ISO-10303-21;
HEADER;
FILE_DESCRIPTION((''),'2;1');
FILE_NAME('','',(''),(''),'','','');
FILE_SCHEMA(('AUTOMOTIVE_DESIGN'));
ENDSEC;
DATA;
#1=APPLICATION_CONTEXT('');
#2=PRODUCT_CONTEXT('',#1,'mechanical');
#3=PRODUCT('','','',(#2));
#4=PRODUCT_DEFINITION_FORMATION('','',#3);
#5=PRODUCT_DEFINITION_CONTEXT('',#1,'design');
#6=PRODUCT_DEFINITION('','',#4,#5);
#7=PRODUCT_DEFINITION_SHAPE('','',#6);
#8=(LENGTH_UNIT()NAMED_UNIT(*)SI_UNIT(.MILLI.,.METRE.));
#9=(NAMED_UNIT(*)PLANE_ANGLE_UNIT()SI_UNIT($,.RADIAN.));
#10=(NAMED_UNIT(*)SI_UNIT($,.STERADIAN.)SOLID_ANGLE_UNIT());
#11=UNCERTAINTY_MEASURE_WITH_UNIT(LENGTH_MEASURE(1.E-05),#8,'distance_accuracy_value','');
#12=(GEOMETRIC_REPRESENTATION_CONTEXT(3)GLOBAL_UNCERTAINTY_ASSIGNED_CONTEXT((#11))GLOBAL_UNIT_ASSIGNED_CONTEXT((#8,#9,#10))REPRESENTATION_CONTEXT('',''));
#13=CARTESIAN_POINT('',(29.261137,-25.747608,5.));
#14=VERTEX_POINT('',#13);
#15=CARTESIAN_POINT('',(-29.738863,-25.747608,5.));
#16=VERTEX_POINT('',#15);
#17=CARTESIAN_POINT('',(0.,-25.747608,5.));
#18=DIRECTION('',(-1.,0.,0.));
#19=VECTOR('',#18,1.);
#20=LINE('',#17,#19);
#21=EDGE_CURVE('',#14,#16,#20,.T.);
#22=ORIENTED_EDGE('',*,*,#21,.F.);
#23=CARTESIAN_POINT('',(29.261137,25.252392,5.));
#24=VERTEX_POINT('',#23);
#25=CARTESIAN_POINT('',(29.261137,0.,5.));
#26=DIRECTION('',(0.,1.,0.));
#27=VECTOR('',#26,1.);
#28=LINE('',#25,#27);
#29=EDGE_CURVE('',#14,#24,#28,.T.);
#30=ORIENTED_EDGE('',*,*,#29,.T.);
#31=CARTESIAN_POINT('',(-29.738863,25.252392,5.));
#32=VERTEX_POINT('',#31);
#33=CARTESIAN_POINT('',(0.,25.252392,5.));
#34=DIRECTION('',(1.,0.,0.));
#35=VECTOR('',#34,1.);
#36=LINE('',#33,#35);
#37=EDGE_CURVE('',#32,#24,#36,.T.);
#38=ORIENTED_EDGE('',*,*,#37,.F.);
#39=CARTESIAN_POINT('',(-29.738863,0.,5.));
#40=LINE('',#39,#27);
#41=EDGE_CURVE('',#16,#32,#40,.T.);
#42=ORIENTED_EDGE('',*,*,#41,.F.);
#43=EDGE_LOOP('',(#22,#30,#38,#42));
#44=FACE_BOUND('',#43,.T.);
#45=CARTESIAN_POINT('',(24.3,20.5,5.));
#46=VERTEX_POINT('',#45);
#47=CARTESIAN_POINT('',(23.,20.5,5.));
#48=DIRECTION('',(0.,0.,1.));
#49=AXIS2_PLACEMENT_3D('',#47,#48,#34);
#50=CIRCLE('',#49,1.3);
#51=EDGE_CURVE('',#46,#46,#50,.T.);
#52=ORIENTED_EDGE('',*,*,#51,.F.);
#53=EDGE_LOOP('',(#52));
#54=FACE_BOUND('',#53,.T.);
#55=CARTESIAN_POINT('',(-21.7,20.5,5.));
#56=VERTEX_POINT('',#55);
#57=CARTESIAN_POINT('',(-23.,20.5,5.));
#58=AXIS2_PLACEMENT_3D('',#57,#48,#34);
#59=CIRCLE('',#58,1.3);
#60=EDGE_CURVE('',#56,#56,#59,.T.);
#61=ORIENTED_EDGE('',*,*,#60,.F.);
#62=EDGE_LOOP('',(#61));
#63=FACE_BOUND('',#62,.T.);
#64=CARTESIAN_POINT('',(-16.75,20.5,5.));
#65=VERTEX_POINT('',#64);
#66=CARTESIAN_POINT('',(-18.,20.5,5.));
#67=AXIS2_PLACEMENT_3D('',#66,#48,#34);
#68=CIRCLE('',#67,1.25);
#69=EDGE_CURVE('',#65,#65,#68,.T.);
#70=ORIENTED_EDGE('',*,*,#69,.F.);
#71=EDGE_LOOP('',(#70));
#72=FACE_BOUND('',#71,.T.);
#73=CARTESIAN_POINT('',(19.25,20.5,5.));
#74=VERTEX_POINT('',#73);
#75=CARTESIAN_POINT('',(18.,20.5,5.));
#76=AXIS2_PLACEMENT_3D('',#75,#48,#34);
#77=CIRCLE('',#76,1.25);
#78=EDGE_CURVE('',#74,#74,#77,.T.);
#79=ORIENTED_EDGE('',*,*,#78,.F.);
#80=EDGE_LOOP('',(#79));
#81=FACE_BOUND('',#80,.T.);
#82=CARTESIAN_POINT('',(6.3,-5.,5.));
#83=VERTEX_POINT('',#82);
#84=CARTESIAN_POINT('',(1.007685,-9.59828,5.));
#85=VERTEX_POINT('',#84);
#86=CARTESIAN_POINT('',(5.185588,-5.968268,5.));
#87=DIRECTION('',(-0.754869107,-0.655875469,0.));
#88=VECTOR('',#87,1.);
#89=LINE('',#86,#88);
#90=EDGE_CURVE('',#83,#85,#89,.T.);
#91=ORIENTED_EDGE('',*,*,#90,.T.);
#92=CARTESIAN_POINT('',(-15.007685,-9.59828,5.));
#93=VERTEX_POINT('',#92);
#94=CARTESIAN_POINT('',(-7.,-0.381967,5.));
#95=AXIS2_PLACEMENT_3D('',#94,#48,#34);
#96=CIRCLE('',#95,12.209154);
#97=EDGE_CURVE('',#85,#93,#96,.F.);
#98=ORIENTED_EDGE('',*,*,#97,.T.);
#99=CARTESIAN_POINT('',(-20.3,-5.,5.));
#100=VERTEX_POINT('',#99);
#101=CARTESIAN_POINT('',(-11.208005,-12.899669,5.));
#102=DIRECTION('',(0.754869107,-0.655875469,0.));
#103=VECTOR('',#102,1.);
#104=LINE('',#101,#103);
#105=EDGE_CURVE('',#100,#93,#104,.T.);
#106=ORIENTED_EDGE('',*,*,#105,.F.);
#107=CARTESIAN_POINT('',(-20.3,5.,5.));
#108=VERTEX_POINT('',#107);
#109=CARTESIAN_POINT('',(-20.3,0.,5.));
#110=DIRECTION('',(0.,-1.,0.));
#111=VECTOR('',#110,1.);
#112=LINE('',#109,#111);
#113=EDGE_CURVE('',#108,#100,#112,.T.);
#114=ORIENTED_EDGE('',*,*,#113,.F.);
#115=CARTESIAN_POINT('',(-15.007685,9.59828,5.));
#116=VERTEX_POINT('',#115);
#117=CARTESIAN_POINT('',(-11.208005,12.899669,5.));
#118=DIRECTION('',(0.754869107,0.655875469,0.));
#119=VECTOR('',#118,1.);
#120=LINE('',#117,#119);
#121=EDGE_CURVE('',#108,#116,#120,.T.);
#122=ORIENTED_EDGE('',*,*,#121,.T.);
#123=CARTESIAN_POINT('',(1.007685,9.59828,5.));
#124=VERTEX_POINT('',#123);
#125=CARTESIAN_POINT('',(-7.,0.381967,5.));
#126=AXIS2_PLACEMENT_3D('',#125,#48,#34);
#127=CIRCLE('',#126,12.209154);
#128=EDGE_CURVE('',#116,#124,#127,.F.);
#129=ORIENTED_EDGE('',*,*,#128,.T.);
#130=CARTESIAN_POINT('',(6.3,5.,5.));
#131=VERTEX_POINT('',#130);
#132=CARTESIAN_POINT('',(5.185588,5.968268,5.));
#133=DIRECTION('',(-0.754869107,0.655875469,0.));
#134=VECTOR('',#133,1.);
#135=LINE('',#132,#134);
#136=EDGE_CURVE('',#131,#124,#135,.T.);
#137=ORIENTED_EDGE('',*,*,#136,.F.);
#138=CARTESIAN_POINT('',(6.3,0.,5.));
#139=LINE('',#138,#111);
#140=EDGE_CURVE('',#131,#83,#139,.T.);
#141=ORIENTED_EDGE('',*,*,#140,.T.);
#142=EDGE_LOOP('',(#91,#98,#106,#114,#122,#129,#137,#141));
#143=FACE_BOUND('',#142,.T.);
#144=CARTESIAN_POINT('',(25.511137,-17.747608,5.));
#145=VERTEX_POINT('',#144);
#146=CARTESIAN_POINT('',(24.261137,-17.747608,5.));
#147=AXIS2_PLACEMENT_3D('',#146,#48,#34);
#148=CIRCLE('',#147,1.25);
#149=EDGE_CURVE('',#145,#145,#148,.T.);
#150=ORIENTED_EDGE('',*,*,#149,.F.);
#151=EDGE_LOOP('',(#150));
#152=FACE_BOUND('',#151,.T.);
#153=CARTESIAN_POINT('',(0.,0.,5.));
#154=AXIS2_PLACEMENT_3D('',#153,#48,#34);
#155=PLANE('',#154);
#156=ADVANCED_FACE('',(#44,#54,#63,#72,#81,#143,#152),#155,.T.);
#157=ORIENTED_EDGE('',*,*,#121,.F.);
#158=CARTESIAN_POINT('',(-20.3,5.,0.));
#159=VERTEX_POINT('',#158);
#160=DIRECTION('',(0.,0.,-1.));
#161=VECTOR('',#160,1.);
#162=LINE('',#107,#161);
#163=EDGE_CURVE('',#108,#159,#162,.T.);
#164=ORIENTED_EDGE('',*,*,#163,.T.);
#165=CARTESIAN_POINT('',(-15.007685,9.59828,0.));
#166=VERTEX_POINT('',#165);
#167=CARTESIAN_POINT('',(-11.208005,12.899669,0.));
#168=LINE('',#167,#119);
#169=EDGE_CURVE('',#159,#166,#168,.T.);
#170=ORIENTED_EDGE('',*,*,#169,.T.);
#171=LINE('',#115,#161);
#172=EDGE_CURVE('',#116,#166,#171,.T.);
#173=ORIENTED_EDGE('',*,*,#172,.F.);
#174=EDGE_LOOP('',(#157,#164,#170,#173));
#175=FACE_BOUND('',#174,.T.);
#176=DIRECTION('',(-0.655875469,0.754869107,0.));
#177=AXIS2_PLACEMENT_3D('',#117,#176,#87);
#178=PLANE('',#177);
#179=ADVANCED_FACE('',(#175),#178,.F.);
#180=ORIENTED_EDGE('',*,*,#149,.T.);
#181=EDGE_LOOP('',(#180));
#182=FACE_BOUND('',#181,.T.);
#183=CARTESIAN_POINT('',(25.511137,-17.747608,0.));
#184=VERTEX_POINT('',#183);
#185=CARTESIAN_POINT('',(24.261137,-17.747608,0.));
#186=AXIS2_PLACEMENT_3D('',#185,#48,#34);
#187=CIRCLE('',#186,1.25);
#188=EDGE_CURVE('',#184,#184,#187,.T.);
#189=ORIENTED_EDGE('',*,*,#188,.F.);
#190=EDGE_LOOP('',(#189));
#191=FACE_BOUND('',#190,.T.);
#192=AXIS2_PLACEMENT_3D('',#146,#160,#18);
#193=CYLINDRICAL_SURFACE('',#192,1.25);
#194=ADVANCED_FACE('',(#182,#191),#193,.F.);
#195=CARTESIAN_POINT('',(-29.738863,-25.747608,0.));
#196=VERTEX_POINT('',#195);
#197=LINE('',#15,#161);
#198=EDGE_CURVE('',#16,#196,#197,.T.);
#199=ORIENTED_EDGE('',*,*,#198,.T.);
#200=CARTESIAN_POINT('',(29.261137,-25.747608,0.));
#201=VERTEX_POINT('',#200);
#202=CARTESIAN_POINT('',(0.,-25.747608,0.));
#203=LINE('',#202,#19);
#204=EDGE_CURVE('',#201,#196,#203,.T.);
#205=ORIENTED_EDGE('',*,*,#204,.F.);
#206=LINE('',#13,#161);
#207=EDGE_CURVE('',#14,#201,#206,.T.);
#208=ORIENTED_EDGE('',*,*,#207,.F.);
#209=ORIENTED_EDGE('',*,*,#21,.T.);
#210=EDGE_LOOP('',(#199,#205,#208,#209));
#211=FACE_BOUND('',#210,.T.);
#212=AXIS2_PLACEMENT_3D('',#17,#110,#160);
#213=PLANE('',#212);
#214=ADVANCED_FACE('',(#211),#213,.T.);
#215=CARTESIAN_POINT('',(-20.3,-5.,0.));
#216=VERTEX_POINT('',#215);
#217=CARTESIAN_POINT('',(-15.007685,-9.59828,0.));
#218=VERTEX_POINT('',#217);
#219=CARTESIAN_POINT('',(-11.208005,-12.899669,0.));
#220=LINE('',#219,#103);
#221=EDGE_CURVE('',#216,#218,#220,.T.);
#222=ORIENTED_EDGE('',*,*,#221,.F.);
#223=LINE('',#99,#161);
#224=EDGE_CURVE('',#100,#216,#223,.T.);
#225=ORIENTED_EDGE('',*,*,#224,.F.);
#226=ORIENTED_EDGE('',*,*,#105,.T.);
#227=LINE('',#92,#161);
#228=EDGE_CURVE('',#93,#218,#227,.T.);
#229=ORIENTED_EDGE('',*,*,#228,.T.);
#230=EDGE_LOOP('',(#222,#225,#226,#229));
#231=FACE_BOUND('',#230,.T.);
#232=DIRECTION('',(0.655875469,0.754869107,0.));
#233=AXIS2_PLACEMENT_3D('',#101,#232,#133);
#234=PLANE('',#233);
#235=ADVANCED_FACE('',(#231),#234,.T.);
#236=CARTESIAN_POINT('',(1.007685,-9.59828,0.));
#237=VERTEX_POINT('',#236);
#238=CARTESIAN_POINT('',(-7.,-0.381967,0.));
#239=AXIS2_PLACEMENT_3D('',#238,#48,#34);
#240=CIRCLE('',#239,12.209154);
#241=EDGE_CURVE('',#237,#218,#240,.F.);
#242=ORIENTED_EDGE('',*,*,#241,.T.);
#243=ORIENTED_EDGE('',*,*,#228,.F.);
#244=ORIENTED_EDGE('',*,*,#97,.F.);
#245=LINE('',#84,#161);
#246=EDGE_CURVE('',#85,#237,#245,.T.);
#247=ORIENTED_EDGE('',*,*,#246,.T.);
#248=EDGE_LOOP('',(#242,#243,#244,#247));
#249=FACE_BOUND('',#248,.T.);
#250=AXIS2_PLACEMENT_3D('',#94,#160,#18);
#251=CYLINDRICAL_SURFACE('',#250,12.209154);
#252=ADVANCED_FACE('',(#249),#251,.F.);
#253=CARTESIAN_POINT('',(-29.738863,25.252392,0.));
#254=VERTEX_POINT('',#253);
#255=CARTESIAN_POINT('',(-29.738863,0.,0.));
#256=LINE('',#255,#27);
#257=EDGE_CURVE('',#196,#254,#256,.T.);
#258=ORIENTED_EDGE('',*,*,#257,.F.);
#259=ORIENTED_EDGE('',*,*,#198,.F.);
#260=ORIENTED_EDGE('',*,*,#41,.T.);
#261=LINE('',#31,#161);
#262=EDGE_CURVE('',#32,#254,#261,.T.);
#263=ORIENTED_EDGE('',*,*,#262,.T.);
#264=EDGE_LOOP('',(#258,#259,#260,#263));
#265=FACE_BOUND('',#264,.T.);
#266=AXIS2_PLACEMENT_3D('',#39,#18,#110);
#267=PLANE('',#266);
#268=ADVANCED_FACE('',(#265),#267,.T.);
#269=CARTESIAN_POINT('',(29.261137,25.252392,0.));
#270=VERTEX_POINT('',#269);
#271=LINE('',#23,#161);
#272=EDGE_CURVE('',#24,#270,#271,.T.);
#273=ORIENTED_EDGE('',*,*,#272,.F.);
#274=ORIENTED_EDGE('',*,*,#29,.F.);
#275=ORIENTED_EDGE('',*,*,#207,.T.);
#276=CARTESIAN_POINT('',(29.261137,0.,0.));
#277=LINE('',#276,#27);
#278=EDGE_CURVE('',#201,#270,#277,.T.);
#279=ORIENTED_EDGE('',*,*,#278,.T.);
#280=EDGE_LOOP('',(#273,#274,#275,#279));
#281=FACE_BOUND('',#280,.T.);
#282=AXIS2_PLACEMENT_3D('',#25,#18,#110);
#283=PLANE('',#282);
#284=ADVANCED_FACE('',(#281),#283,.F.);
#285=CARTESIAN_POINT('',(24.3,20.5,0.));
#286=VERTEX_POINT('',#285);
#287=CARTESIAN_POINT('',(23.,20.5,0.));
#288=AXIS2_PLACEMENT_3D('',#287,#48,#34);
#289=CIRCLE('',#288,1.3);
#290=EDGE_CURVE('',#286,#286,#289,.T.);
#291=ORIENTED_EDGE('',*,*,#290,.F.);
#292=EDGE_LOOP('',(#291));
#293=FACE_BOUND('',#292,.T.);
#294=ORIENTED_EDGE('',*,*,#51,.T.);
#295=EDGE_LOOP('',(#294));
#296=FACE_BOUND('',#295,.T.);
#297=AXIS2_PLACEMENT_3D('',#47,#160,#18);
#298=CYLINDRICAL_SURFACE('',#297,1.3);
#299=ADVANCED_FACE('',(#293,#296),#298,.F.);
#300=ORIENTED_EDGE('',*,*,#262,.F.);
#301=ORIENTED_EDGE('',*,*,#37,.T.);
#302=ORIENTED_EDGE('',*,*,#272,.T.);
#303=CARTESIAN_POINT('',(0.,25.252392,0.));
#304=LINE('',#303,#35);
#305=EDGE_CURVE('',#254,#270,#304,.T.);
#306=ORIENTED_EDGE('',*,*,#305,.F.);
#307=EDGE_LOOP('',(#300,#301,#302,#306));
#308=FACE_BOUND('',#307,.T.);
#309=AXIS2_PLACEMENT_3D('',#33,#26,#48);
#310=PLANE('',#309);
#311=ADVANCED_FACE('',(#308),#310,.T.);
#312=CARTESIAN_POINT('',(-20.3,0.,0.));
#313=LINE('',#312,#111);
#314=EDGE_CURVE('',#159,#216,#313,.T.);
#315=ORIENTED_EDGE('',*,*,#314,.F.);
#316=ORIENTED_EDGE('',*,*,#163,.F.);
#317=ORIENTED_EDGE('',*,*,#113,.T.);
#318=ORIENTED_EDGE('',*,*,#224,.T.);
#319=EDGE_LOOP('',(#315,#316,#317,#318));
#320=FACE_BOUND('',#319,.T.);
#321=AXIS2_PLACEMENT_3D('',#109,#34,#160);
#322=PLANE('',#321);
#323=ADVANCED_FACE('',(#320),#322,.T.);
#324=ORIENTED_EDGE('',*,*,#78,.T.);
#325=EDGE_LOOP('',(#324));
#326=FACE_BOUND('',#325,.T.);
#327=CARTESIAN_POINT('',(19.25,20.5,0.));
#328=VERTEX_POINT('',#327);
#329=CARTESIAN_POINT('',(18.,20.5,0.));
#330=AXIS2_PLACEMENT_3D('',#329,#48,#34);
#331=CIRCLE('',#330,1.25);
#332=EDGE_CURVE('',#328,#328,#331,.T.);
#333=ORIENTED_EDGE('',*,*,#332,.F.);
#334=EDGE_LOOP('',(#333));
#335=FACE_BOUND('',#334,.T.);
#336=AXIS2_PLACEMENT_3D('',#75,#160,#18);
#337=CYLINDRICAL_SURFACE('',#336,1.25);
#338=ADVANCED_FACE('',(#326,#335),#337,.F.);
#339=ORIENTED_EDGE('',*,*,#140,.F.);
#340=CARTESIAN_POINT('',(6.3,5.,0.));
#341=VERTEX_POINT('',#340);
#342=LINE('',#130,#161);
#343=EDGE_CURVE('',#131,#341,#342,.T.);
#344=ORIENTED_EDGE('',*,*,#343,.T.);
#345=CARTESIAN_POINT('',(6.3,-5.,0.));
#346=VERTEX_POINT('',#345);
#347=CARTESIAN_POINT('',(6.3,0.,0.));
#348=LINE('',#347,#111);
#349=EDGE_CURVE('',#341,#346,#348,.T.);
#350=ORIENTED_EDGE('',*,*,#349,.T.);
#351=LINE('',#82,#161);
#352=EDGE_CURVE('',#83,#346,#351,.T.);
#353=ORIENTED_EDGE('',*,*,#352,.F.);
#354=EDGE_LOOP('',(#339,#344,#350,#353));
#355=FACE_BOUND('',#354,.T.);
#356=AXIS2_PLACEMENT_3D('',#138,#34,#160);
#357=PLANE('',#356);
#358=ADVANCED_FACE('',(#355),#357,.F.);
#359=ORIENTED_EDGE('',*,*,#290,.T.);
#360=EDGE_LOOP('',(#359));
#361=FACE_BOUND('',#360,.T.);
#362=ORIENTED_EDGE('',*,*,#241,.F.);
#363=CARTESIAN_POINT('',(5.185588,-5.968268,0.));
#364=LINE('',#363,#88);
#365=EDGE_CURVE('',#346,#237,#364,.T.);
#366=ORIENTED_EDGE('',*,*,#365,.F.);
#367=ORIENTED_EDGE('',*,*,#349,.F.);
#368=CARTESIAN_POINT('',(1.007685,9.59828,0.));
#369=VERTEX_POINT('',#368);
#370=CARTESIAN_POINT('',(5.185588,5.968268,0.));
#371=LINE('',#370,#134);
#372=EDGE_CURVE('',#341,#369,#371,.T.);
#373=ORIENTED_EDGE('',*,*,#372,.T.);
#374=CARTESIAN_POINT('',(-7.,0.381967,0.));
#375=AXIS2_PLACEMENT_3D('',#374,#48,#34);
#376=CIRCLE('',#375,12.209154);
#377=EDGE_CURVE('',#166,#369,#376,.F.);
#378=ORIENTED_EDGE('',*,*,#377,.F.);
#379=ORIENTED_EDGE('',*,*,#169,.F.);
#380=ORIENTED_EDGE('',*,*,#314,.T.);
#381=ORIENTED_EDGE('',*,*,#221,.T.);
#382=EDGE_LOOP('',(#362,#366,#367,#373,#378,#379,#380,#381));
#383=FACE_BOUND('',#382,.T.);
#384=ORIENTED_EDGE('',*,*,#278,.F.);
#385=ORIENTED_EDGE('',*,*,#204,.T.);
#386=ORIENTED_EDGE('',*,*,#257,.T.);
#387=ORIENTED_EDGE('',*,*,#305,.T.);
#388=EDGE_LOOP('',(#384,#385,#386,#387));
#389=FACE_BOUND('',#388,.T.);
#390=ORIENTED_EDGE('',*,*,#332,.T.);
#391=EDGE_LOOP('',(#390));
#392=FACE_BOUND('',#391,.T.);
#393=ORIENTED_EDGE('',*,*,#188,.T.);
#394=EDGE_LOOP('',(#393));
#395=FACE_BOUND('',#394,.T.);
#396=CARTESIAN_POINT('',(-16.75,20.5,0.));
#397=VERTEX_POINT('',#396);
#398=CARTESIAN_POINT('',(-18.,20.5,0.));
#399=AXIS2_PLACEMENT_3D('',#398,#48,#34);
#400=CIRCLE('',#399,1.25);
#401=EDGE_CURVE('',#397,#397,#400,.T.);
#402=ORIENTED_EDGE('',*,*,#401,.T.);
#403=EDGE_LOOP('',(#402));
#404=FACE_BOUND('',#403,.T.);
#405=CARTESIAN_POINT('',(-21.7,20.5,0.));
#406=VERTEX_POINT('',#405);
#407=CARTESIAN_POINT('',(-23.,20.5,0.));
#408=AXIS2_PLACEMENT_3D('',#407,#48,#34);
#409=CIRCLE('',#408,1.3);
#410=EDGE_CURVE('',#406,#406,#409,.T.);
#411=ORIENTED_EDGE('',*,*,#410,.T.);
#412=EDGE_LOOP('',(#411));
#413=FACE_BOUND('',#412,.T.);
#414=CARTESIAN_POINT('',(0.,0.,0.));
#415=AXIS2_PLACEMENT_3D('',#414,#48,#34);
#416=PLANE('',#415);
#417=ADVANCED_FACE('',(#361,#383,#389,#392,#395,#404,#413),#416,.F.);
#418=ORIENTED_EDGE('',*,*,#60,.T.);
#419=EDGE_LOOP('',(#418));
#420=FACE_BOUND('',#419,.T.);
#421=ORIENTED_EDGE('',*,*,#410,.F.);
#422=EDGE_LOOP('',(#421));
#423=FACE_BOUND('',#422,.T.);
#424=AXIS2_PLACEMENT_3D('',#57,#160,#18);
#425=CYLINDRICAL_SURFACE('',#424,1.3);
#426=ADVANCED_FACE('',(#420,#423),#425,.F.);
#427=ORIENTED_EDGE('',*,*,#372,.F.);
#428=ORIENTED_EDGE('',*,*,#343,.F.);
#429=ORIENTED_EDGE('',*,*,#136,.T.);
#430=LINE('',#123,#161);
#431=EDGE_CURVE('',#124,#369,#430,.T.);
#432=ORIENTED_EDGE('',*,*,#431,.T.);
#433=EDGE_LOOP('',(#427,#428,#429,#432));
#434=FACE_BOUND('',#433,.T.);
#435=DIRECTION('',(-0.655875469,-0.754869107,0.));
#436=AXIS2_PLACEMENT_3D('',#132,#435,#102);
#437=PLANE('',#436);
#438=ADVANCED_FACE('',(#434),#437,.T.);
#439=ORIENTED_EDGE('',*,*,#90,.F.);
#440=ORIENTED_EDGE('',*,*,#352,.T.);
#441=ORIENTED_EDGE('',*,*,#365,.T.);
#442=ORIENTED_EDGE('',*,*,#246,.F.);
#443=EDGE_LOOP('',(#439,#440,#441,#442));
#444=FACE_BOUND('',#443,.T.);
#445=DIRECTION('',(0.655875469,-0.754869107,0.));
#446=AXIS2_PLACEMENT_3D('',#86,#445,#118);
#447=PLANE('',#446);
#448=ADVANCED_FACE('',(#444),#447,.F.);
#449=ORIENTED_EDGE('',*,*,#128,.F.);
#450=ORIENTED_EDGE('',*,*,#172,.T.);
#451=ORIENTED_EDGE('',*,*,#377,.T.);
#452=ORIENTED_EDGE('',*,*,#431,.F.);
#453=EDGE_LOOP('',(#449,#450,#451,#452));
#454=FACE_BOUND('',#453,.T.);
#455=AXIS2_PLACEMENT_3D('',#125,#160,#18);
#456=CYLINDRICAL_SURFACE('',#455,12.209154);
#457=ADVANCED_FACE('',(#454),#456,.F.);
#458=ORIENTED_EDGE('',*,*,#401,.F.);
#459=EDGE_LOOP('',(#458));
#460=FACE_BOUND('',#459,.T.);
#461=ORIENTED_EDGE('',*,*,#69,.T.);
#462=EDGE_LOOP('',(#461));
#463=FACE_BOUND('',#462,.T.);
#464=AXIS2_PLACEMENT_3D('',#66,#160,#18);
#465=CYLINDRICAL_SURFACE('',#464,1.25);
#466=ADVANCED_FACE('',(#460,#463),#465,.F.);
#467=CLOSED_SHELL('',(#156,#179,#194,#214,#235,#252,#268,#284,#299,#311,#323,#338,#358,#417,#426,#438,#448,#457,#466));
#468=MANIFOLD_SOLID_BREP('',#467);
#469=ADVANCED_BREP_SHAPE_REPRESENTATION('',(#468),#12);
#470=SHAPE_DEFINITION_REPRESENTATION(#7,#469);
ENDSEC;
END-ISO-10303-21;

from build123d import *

# Parameters (mm, degrees)
CROQUIS1_W              = 59
CROQUIS1_H              = 51
CROQUIS1_R              = 1.25
CROQUIS1_R_2            = 1.3
SALIENTE_EXTRUIR1_DEPTH = 5


with BuildPart() as part:
    # Croquis1 → Saliente-Extruir1 (new body)
    with BuildSketch(Plane.XY):
        with Locations((-0.238863052, -0.247607665)):
            Rectangle(CROQUIS1_W, CROQUIS1_H)
        with Locations((24.261136948, -17.747607665)):
            Circle(CROQUIS1_R, mode=Mode.SUBTRACT)
        with Locations((-18, 20.5)):
            Circle(CROQUIS1_R, mode=Mode.SUBTRACT)
        with Locations((18, 20.5)):
            Circle(CROQUIS1_R, mode=Mode.SUBTRACT)
        with Locations((-23, 20.5)):
            Circle(CROQUIS1_R_2, mode=Mode.SUBTRACT)
        with Locations((23, 20.5)):
            Circle(CROQUIS1_R_2, mode=Mode.SUBTRACT)
        with BuildLine():
            Line((-20.3, 5), (-20.3, -5))
            Line((-20.3, -5), (-15.007684576, -9.598280457))
            ThreePointArc((-15.007684576, -9.598280457), (-7, -12.591121267), (1.007684576, -9.598280457))
            Line((1.007684576, -9.598280457), (6.3, -5))
            Line((6.3, -5), (6.3, 5))
            Line((6.3, 5), (1.007684576, 9.598280457))
            ThreePointArc((1.007684576, 9.598280457), (-7, 12.591121267), (-15.007684576, 9.598280457))
            Line((-15.007684576, 9.598280457), (-20.3, 5))
        make_face(mode=Mode.SUBTRACT)
    extrude(amount=SALIENTE_EXTRUIR1_DEPTH)


solid = part.part
